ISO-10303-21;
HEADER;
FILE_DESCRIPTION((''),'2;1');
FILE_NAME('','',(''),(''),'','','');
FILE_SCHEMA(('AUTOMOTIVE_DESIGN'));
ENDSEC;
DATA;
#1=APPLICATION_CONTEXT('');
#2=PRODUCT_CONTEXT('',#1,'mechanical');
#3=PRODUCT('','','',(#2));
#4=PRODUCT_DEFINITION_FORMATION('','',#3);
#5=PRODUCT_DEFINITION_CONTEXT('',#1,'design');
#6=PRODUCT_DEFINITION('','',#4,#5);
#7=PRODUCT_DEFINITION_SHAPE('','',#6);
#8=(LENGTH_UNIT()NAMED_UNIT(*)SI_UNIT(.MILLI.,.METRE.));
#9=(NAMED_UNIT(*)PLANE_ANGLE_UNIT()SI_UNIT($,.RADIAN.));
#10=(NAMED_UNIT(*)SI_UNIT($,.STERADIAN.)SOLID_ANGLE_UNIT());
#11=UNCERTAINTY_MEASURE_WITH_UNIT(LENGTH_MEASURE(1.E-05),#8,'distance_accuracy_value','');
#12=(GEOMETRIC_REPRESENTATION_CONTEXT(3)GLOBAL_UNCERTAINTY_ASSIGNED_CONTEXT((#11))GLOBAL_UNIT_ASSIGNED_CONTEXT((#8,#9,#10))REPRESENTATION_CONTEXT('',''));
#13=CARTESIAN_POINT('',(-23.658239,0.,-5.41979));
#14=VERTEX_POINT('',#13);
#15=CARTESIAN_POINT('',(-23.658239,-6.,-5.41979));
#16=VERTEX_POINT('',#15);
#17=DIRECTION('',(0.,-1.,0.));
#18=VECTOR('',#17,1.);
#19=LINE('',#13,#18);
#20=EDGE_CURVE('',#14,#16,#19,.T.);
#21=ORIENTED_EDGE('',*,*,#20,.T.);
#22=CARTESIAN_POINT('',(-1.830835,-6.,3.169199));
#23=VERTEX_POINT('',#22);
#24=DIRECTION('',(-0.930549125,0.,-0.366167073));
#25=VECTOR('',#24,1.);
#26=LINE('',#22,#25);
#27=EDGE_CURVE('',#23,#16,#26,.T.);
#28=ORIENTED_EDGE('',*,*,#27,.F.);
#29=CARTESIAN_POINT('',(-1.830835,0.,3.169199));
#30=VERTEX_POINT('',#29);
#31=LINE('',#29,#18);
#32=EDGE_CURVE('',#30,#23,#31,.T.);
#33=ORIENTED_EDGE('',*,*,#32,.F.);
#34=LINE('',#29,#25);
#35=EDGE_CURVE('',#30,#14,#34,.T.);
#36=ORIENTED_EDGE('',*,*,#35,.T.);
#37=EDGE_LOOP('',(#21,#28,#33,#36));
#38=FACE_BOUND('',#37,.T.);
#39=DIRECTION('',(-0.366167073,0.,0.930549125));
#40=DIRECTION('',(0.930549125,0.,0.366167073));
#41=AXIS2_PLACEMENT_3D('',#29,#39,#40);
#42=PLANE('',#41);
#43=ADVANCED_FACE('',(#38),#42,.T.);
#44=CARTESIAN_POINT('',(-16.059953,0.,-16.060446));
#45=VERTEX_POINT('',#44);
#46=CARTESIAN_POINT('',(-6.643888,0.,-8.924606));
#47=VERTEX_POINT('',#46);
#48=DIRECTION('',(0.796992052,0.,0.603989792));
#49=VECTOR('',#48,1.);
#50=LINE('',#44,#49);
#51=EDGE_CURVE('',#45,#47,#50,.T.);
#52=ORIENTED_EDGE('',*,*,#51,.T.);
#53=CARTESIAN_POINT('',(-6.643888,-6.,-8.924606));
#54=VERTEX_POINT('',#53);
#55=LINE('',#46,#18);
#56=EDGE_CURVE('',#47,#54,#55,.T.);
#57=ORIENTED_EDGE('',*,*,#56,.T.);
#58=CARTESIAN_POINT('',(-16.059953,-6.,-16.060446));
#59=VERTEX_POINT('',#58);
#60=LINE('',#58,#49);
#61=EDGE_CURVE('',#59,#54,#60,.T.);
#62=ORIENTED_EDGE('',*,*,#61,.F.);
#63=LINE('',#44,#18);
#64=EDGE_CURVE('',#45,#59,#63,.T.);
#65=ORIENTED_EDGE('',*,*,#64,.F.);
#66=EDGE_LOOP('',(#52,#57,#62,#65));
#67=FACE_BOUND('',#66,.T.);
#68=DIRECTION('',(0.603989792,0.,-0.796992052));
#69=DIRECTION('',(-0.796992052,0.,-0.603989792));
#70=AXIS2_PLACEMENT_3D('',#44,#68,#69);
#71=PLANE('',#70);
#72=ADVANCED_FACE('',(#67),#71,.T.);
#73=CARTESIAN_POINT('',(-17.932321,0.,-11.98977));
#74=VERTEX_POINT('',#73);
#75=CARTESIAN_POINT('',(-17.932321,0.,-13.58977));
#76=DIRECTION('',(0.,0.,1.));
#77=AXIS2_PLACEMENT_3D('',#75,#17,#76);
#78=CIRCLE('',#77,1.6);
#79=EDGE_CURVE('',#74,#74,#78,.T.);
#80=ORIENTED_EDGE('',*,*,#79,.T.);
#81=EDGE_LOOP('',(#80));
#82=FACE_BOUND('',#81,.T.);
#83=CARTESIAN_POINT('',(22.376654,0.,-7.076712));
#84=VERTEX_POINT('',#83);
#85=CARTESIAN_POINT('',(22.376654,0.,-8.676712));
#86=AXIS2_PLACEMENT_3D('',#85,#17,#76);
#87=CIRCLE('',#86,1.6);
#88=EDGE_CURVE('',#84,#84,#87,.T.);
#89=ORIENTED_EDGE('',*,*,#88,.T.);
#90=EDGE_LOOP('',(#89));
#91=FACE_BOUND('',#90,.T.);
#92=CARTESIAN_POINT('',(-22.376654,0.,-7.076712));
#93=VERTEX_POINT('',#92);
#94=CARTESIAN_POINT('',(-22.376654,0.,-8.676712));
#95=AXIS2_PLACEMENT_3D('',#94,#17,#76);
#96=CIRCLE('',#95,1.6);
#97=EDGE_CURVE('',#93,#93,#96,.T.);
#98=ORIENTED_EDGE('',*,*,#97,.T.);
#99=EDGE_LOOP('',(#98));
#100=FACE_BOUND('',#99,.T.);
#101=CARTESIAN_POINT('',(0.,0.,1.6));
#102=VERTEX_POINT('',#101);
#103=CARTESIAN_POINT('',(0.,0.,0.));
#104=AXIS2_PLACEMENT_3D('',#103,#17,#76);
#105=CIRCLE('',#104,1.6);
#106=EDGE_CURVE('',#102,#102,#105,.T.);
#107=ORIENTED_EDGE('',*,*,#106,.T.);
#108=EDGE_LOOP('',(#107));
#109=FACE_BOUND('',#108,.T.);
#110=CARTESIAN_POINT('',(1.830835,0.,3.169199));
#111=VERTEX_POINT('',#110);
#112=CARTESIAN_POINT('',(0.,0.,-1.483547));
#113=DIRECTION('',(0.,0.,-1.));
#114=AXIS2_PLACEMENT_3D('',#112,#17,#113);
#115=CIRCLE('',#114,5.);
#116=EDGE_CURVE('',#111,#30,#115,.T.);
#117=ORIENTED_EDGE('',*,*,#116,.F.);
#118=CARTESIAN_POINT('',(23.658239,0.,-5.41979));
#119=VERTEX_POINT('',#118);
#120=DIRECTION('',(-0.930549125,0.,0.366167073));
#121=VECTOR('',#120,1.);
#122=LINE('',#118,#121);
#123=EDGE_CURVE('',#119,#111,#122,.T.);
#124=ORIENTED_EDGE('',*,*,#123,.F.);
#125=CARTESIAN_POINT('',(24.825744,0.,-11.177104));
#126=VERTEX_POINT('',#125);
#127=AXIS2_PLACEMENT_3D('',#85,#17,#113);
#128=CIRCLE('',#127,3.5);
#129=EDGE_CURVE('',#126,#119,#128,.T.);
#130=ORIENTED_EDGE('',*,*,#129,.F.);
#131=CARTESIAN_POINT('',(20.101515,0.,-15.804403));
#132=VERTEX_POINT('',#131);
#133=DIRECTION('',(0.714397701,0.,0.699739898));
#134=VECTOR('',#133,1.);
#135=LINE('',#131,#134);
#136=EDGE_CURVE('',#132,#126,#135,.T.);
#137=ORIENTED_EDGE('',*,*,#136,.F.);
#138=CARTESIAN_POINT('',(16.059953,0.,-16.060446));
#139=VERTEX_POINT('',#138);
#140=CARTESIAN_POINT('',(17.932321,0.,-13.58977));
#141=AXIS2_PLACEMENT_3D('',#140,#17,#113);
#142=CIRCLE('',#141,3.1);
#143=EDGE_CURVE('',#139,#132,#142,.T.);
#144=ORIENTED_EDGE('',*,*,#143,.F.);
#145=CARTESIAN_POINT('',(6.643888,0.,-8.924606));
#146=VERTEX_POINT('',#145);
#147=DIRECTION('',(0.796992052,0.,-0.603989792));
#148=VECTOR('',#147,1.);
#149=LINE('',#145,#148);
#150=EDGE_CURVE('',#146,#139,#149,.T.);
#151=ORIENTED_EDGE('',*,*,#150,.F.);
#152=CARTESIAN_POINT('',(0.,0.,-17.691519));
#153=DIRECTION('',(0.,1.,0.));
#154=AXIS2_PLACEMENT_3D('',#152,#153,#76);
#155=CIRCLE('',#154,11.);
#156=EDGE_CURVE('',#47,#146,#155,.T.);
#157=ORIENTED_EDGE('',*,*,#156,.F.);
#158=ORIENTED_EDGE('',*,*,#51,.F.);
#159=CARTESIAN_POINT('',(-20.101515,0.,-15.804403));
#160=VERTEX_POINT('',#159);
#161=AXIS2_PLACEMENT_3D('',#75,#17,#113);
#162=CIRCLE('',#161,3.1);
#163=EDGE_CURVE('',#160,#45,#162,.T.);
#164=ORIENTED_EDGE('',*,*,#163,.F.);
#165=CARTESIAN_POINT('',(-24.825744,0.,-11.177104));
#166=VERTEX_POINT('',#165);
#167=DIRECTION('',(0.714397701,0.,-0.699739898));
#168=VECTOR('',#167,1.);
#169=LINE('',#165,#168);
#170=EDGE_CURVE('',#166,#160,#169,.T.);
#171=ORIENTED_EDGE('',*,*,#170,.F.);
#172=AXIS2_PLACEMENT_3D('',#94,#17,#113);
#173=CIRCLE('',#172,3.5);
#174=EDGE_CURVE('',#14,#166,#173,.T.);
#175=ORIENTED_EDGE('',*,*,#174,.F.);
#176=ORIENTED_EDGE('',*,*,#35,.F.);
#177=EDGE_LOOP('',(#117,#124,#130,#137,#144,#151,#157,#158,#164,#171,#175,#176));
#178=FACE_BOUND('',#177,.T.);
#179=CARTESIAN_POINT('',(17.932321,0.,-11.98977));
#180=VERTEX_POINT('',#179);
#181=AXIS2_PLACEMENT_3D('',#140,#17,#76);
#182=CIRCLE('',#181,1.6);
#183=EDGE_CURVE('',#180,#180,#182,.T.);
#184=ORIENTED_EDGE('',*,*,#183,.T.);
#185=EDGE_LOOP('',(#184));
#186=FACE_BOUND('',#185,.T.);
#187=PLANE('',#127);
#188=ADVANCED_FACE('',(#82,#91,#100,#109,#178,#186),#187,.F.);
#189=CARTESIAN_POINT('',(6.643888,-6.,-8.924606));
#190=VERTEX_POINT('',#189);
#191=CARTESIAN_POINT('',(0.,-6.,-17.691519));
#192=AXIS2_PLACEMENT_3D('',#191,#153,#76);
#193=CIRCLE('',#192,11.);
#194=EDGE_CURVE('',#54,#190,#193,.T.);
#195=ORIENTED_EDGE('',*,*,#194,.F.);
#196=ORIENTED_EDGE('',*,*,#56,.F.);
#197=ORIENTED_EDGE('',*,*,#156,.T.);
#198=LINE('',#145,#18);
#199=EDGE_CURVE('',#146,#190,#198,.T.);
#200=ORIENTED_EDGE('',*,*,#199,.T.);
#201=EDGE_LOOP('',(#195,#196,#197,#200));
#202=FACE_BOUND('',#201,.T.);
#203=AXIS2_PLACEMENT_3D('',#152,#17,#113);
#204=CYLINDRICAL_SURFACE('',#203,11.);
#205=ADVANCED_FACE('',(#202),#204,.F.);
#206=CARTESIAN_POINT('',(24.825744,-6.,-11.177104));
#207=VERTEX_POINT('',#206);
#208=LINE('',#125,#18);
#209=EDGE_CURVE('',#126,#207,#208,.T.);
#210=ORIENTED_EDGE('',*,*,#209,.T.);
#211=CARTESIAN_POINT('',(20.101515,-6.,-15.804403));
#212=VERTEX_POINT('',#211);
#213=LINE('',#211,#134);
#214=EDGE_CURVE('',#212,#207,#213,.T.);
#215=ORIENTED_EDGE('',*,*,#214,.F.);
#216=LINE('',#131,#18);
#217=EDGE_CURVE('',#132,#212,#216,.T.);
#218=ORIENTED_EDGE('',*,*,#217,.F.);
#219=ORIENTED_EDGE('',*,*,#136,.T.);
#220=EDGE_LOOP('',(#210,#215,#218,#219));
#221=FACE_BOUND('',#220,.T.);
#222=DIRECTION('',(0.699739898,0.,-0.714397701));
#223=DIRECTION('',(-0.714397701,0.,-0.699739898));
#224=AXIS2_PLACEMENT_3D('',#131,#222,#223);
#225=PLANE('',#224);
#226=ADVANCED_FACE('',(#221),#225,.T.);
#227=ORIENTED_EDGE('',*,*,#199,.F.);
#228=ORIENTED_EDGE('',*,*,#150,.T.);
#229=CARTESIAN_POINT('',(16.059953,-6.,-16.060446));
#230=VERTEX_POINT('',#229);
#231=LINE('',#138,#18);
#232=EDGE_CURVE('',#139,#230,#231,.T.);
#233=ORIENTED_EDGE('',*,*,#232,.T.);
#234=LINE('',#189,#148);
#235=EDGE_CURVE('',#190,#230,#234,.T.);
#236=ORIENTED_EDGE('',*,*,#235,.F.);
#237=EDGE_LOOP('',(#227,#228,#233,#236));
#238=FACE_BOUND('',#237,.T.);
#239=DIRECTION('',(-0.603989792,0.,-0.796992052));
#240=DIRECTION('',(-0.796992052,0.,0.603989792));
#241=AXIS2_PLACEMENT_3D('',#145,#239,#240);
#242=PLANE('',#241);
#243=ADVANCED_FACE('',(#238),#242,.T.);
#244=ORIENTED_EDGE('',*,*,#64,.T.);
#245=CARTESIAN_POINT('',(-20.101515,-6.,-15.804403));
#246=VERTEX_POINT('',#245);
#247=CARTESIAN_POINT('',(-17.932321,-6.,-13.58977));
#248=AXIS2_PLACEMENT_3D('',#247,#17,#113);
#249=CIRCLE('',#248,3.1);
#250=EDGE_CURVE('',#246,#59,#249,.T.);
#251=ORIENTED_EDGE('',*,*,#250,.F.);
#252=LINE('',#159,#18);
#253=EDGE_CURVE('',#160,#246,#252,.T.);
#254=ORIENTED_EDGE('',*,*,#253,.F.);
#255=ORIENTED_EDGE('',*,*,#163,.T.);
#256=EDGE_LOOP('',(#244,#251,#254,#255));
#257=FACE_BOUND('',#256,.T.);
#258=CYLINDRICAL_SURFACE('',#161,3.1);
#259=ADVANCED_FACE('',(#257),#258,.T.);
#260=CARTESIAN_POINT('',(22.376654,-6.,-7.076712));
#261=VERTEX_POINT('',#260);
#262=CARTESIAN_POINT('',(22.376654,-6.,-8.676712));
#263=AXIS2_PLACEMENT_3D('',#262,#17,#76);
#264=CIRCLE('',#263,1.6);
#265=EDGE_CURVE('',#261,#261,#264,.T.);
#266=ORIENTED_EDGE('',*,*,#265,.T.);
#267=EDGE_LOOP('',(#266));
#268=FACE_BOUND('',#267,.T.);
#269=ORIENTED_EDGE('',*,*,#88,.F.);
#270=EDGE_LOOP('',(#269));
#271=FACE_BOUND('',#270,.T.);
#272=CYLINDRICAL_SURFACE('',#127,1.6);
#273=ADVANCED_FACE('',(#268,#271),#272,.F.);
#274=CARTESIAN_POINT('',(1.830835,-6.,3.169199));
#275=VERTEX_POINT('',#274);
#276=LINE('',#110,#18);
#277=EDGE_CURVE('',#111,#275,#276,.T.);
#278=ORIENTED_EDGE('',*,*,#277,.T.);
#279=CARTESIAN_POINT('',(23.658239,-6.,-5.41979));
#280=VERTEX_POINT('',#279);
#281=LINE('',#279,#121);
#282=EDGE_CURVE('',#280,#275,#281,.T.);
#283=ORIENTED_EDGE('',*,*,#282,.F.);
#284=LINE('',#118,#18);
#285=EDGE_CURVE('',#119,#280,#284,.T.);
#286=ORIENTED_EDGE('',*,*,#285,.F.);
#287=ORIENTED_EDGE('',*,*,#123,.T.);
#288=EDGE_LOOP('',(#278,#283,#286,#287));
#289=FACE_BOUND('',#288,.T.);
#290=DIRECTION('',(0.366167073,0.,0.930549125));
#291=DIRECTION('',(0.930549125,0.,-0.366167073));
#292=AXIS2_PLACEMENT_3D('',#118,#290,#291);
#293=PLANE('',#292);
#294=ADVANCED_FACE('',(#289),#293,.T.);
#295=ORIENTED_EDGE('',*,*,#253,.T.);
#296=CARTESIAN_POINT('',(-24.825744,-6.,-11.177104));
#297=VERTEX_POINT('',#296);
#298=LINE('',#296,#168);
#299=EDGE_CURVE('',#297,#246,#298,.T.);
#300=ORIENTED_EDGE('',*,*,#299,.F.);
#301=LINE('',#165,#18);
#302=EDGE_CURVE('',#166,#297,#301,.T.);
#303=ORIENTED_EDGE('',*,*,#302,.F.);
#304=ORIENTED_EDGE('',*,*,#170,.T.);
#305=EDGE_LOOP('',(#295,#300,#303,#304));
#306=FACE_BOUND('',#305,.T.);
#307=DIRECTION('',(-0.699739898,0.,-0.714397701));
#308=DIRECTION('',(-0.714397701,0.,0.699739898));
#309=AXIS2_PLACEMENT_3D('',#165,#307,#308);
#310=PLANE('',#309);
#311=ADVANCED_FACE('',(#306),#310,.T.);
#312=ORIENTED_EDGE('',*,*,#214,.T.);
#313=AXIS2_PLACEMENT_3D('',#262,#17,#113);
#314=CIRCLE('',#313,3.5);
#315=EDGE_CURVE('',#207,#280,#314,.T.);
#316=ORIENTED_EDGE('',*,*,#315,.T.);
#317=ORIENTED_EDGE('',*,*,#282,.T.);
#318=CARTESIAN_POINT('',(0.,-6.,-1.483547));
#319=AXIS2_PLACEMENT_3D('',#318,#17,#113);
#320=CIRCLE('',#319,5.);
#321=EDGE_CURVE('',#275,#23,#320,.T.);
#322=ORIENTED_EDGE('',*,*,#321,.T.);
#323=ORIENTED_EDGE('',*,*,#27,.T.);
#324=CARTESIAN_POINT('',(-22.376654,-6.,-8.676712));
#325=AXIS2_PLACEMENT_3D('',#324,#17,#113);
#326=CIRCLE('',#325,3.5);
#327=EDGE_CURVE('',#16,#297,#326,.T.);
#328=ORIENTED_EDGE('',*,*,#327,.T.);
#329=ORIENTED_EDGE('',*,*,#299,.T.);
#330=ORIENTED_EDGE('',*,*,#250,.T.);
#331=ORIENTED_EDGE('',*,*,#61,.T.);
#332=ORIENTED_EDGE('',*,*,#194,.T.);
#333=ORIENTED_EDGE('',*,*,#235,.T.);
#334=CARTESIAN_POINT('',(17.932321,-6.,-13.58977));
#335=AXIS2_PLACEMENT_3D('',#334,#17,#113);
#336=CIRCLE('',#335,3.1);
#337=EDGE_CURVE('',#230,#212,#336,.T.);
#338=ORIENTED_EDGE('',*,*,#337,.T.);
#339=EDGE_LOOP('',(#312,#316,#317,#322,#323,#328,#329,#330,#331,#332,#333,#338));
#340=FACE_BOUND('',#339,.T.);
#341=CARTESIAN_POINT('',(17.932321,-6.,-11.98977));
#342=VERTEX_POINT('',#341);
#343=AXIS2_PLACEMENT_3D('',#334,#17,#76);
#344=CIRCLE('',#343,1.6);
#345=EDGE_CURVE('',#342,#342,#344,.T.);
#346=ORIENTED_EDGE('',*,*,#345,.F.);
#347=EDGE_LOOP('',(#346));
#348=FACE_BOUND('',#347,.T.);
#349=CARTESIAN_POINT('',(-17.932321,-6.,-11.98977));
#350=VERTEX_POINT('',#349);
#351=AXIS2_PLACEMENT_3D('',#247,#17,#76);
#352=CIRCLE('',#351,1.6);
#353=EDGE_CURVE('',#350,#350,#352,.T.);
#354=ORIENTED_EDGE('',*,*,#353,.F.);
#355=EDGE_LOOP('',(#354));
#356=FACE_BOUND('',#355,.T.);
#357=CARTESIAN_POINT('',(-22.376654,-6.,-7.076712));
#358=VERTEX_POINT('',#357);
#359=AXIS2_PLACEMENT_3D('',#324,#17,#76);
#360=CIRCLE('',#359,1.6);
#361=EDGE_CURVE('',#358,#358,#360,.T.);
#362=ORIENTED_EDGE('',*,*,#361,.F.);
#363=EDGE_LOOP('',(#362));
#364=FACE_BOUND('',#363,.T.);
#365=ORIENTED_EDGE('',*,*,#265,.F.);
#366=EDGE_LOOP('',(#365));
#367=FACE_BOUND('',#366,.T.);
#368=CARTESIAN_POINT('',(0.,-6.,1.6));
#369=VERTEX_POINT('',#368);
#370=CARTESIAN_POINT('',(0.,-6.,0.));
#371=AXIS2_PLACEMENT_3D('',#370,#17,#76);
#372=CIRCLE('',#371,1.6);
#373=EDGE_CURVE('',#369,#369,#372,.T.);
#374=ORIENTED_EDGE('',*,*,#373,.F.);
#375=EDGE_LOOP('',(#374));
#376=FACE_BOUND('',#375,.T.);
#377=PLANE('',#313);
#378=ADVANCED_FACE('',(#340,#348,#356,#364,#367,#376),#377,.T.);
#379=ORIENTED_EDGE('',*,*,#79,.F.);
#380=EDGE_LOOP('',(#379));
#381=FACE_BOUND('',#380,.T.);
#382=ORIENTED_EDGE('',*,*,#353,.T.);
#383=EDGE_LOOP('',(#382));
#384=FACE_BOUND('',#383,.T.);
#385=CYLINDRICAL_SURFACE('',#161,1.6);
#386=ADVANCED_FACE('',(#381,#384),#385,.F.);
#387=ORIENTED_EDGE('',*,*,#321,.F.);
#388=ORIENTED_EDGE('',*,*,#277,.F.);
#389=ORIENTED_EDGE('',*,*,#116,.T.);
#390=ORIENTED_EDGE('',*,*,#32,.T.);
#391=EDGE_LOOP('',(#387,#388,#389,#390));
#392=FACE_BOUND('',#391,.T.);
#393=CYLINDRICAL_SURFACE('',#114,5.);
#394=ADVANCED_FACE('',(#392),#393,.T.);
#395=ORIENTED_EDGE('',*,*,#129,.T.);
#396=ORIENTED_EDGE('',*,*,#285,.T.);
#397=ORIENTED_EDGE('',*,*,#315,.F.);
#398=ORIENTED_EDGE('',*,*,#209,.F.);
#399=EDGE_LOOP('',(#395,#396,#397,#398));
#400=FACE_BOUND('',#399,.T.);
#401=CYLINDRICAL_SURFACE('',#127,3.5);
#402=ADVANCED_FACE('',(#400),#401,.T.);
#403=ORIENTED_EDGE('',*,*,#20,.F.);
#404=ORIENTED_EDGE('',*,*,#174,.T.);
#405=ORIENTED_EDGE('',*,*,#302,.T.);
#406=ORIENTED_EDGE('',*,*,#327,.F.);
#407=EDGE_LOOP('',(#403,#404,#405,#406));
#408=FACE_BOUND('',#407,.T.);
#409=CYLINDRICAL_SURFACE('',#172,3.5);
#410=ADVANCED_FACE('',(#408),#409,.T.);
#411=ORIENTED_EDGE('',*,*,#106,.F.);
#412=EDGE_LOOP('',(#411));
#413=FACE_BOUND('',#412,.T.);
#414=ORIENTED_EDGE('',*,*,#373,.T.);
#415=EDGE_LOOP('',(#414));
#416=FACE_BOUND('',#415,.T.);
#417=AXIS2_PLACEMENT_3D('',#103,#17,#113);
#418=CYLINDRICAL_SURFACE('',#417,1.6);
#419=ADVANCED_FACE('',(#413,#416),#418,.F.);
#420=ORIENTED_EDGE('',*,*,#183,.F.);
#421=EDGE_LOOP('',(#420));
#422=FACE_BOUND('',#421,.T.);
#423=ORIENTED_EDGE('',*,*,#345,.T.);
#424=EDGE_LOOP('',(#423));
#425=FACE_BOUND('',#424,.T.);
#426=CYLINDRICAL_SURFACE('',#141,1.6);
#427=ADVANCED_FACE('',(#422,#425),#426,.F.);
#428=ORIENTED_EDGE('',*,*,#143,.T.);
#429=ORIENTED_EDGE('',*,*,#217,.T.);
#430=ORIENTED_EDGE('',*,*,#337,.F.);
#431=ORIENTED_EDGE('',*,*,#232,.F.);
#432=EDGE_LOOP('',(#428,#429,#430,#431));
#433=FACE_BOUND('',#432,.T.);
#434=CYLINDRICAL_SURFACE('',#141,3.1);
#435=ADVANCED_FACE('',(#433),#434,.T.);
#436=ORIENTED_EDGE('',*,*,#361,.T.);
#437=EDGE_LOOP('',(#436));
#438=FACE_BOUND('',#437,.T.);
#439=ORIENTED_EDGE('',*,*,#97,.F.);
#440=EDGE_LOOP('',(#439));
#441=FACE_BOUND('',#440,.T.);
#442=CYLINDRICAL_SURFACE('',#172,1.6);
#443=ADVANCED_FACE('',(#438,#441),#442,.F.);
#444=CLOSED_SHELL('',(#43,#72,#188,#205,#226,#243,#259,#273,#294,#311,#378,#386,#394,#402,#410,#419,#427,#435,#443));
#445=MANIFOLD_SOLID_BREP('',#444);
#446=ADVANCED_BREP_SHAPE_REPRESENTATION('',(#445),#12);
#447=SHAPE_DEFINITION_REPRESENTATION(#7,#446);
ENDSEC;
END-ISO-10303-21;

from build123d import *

# Parameters (mm, degrees)
ESBO_O1_R                = 1.6
RESSALTO_EXTRUS_O1_DEPTH = 6


with BuildPart() as part:
    # Esboço1 → Ressalto-extrusão1 (new body)
    with BuildSketch(Plane.XZ.offset(6)):
        with BuildLine():
            Line((23.658239146, -5.419790473), (1.830835365, 3.169198905))
            ThreePointArc((1.830835365, 3.169198905), (0, 3.516453278), (-1.830835365, 3.169198905))
            Line((-1.830835365, 3.169198905), (-23.658239146, -5.419790473))
            ThreePointArc((-23.658239146, -5.419790473), (-25.806836409, -7.98111819), (-24.825744035, -11.177104364))
            Line((-24.825744035, -11.177104364), (-20.101514858, -15.804403192))
            ThreePointArc((-20.101514858, -15.804403192), (-18.128320556, -16.683568025), (-16.059952818, -16.060445681))
            Line((-16.059952818, -16.060445681), (-6.643887712, -8.924606384))
            ThreePointArc((-6.643887712, -8.924606384), (0, -6.691518958), (6.643887712, -8.924606384))
            Line((6.643887712, -8.924606384), (16.059952818, -16.060445681))
            ThreePointArc((16.059952818, -16.060445681), (18.128320556, -16.683568025), (20.101514858, -15.804403192))
            Line((20.101514858, -15.804403192), (24.825744035, -11.177104364))
            ThreePointArc((24.825744035, -11.177104364), (25.806836409, -7.98111819), (23.658239146, -5.419790473))
        make_face()
        with Locations(Location((-17.932321173, -13.589770319, 0), (0, 0, 90))):
            Circle(ESBO_O1_R, mode=Mode.SUBTRACT)
        with Locations(Location((0, 0, 0), (0, 0, 90))):
            Circle(ESBO_O1_R, mode=Mode.SUBTRACT)
        with Locations(Location((17.932321173, -13.589770319, 0), (0, 0, 90))):
            Circle(ESBO_O1_R, mode=Mode.SUBTRACT)
        with Locations(Location((-22.376654391, -8.676712411, 0), (0, 0, 90))):
            Circle(ESBO_O1_R, mode=Mode.SUBTRACT)
        with Locations(Location((22.376654391, -8.676712411, 0), (0, 0, 90))):
            Circle(ESBO_O1_R, mode=Mode.SUBTRACT)
    extrude(amount=-RESSALTO_EXTRUS_O1_DEPTH)


solid = part.part
